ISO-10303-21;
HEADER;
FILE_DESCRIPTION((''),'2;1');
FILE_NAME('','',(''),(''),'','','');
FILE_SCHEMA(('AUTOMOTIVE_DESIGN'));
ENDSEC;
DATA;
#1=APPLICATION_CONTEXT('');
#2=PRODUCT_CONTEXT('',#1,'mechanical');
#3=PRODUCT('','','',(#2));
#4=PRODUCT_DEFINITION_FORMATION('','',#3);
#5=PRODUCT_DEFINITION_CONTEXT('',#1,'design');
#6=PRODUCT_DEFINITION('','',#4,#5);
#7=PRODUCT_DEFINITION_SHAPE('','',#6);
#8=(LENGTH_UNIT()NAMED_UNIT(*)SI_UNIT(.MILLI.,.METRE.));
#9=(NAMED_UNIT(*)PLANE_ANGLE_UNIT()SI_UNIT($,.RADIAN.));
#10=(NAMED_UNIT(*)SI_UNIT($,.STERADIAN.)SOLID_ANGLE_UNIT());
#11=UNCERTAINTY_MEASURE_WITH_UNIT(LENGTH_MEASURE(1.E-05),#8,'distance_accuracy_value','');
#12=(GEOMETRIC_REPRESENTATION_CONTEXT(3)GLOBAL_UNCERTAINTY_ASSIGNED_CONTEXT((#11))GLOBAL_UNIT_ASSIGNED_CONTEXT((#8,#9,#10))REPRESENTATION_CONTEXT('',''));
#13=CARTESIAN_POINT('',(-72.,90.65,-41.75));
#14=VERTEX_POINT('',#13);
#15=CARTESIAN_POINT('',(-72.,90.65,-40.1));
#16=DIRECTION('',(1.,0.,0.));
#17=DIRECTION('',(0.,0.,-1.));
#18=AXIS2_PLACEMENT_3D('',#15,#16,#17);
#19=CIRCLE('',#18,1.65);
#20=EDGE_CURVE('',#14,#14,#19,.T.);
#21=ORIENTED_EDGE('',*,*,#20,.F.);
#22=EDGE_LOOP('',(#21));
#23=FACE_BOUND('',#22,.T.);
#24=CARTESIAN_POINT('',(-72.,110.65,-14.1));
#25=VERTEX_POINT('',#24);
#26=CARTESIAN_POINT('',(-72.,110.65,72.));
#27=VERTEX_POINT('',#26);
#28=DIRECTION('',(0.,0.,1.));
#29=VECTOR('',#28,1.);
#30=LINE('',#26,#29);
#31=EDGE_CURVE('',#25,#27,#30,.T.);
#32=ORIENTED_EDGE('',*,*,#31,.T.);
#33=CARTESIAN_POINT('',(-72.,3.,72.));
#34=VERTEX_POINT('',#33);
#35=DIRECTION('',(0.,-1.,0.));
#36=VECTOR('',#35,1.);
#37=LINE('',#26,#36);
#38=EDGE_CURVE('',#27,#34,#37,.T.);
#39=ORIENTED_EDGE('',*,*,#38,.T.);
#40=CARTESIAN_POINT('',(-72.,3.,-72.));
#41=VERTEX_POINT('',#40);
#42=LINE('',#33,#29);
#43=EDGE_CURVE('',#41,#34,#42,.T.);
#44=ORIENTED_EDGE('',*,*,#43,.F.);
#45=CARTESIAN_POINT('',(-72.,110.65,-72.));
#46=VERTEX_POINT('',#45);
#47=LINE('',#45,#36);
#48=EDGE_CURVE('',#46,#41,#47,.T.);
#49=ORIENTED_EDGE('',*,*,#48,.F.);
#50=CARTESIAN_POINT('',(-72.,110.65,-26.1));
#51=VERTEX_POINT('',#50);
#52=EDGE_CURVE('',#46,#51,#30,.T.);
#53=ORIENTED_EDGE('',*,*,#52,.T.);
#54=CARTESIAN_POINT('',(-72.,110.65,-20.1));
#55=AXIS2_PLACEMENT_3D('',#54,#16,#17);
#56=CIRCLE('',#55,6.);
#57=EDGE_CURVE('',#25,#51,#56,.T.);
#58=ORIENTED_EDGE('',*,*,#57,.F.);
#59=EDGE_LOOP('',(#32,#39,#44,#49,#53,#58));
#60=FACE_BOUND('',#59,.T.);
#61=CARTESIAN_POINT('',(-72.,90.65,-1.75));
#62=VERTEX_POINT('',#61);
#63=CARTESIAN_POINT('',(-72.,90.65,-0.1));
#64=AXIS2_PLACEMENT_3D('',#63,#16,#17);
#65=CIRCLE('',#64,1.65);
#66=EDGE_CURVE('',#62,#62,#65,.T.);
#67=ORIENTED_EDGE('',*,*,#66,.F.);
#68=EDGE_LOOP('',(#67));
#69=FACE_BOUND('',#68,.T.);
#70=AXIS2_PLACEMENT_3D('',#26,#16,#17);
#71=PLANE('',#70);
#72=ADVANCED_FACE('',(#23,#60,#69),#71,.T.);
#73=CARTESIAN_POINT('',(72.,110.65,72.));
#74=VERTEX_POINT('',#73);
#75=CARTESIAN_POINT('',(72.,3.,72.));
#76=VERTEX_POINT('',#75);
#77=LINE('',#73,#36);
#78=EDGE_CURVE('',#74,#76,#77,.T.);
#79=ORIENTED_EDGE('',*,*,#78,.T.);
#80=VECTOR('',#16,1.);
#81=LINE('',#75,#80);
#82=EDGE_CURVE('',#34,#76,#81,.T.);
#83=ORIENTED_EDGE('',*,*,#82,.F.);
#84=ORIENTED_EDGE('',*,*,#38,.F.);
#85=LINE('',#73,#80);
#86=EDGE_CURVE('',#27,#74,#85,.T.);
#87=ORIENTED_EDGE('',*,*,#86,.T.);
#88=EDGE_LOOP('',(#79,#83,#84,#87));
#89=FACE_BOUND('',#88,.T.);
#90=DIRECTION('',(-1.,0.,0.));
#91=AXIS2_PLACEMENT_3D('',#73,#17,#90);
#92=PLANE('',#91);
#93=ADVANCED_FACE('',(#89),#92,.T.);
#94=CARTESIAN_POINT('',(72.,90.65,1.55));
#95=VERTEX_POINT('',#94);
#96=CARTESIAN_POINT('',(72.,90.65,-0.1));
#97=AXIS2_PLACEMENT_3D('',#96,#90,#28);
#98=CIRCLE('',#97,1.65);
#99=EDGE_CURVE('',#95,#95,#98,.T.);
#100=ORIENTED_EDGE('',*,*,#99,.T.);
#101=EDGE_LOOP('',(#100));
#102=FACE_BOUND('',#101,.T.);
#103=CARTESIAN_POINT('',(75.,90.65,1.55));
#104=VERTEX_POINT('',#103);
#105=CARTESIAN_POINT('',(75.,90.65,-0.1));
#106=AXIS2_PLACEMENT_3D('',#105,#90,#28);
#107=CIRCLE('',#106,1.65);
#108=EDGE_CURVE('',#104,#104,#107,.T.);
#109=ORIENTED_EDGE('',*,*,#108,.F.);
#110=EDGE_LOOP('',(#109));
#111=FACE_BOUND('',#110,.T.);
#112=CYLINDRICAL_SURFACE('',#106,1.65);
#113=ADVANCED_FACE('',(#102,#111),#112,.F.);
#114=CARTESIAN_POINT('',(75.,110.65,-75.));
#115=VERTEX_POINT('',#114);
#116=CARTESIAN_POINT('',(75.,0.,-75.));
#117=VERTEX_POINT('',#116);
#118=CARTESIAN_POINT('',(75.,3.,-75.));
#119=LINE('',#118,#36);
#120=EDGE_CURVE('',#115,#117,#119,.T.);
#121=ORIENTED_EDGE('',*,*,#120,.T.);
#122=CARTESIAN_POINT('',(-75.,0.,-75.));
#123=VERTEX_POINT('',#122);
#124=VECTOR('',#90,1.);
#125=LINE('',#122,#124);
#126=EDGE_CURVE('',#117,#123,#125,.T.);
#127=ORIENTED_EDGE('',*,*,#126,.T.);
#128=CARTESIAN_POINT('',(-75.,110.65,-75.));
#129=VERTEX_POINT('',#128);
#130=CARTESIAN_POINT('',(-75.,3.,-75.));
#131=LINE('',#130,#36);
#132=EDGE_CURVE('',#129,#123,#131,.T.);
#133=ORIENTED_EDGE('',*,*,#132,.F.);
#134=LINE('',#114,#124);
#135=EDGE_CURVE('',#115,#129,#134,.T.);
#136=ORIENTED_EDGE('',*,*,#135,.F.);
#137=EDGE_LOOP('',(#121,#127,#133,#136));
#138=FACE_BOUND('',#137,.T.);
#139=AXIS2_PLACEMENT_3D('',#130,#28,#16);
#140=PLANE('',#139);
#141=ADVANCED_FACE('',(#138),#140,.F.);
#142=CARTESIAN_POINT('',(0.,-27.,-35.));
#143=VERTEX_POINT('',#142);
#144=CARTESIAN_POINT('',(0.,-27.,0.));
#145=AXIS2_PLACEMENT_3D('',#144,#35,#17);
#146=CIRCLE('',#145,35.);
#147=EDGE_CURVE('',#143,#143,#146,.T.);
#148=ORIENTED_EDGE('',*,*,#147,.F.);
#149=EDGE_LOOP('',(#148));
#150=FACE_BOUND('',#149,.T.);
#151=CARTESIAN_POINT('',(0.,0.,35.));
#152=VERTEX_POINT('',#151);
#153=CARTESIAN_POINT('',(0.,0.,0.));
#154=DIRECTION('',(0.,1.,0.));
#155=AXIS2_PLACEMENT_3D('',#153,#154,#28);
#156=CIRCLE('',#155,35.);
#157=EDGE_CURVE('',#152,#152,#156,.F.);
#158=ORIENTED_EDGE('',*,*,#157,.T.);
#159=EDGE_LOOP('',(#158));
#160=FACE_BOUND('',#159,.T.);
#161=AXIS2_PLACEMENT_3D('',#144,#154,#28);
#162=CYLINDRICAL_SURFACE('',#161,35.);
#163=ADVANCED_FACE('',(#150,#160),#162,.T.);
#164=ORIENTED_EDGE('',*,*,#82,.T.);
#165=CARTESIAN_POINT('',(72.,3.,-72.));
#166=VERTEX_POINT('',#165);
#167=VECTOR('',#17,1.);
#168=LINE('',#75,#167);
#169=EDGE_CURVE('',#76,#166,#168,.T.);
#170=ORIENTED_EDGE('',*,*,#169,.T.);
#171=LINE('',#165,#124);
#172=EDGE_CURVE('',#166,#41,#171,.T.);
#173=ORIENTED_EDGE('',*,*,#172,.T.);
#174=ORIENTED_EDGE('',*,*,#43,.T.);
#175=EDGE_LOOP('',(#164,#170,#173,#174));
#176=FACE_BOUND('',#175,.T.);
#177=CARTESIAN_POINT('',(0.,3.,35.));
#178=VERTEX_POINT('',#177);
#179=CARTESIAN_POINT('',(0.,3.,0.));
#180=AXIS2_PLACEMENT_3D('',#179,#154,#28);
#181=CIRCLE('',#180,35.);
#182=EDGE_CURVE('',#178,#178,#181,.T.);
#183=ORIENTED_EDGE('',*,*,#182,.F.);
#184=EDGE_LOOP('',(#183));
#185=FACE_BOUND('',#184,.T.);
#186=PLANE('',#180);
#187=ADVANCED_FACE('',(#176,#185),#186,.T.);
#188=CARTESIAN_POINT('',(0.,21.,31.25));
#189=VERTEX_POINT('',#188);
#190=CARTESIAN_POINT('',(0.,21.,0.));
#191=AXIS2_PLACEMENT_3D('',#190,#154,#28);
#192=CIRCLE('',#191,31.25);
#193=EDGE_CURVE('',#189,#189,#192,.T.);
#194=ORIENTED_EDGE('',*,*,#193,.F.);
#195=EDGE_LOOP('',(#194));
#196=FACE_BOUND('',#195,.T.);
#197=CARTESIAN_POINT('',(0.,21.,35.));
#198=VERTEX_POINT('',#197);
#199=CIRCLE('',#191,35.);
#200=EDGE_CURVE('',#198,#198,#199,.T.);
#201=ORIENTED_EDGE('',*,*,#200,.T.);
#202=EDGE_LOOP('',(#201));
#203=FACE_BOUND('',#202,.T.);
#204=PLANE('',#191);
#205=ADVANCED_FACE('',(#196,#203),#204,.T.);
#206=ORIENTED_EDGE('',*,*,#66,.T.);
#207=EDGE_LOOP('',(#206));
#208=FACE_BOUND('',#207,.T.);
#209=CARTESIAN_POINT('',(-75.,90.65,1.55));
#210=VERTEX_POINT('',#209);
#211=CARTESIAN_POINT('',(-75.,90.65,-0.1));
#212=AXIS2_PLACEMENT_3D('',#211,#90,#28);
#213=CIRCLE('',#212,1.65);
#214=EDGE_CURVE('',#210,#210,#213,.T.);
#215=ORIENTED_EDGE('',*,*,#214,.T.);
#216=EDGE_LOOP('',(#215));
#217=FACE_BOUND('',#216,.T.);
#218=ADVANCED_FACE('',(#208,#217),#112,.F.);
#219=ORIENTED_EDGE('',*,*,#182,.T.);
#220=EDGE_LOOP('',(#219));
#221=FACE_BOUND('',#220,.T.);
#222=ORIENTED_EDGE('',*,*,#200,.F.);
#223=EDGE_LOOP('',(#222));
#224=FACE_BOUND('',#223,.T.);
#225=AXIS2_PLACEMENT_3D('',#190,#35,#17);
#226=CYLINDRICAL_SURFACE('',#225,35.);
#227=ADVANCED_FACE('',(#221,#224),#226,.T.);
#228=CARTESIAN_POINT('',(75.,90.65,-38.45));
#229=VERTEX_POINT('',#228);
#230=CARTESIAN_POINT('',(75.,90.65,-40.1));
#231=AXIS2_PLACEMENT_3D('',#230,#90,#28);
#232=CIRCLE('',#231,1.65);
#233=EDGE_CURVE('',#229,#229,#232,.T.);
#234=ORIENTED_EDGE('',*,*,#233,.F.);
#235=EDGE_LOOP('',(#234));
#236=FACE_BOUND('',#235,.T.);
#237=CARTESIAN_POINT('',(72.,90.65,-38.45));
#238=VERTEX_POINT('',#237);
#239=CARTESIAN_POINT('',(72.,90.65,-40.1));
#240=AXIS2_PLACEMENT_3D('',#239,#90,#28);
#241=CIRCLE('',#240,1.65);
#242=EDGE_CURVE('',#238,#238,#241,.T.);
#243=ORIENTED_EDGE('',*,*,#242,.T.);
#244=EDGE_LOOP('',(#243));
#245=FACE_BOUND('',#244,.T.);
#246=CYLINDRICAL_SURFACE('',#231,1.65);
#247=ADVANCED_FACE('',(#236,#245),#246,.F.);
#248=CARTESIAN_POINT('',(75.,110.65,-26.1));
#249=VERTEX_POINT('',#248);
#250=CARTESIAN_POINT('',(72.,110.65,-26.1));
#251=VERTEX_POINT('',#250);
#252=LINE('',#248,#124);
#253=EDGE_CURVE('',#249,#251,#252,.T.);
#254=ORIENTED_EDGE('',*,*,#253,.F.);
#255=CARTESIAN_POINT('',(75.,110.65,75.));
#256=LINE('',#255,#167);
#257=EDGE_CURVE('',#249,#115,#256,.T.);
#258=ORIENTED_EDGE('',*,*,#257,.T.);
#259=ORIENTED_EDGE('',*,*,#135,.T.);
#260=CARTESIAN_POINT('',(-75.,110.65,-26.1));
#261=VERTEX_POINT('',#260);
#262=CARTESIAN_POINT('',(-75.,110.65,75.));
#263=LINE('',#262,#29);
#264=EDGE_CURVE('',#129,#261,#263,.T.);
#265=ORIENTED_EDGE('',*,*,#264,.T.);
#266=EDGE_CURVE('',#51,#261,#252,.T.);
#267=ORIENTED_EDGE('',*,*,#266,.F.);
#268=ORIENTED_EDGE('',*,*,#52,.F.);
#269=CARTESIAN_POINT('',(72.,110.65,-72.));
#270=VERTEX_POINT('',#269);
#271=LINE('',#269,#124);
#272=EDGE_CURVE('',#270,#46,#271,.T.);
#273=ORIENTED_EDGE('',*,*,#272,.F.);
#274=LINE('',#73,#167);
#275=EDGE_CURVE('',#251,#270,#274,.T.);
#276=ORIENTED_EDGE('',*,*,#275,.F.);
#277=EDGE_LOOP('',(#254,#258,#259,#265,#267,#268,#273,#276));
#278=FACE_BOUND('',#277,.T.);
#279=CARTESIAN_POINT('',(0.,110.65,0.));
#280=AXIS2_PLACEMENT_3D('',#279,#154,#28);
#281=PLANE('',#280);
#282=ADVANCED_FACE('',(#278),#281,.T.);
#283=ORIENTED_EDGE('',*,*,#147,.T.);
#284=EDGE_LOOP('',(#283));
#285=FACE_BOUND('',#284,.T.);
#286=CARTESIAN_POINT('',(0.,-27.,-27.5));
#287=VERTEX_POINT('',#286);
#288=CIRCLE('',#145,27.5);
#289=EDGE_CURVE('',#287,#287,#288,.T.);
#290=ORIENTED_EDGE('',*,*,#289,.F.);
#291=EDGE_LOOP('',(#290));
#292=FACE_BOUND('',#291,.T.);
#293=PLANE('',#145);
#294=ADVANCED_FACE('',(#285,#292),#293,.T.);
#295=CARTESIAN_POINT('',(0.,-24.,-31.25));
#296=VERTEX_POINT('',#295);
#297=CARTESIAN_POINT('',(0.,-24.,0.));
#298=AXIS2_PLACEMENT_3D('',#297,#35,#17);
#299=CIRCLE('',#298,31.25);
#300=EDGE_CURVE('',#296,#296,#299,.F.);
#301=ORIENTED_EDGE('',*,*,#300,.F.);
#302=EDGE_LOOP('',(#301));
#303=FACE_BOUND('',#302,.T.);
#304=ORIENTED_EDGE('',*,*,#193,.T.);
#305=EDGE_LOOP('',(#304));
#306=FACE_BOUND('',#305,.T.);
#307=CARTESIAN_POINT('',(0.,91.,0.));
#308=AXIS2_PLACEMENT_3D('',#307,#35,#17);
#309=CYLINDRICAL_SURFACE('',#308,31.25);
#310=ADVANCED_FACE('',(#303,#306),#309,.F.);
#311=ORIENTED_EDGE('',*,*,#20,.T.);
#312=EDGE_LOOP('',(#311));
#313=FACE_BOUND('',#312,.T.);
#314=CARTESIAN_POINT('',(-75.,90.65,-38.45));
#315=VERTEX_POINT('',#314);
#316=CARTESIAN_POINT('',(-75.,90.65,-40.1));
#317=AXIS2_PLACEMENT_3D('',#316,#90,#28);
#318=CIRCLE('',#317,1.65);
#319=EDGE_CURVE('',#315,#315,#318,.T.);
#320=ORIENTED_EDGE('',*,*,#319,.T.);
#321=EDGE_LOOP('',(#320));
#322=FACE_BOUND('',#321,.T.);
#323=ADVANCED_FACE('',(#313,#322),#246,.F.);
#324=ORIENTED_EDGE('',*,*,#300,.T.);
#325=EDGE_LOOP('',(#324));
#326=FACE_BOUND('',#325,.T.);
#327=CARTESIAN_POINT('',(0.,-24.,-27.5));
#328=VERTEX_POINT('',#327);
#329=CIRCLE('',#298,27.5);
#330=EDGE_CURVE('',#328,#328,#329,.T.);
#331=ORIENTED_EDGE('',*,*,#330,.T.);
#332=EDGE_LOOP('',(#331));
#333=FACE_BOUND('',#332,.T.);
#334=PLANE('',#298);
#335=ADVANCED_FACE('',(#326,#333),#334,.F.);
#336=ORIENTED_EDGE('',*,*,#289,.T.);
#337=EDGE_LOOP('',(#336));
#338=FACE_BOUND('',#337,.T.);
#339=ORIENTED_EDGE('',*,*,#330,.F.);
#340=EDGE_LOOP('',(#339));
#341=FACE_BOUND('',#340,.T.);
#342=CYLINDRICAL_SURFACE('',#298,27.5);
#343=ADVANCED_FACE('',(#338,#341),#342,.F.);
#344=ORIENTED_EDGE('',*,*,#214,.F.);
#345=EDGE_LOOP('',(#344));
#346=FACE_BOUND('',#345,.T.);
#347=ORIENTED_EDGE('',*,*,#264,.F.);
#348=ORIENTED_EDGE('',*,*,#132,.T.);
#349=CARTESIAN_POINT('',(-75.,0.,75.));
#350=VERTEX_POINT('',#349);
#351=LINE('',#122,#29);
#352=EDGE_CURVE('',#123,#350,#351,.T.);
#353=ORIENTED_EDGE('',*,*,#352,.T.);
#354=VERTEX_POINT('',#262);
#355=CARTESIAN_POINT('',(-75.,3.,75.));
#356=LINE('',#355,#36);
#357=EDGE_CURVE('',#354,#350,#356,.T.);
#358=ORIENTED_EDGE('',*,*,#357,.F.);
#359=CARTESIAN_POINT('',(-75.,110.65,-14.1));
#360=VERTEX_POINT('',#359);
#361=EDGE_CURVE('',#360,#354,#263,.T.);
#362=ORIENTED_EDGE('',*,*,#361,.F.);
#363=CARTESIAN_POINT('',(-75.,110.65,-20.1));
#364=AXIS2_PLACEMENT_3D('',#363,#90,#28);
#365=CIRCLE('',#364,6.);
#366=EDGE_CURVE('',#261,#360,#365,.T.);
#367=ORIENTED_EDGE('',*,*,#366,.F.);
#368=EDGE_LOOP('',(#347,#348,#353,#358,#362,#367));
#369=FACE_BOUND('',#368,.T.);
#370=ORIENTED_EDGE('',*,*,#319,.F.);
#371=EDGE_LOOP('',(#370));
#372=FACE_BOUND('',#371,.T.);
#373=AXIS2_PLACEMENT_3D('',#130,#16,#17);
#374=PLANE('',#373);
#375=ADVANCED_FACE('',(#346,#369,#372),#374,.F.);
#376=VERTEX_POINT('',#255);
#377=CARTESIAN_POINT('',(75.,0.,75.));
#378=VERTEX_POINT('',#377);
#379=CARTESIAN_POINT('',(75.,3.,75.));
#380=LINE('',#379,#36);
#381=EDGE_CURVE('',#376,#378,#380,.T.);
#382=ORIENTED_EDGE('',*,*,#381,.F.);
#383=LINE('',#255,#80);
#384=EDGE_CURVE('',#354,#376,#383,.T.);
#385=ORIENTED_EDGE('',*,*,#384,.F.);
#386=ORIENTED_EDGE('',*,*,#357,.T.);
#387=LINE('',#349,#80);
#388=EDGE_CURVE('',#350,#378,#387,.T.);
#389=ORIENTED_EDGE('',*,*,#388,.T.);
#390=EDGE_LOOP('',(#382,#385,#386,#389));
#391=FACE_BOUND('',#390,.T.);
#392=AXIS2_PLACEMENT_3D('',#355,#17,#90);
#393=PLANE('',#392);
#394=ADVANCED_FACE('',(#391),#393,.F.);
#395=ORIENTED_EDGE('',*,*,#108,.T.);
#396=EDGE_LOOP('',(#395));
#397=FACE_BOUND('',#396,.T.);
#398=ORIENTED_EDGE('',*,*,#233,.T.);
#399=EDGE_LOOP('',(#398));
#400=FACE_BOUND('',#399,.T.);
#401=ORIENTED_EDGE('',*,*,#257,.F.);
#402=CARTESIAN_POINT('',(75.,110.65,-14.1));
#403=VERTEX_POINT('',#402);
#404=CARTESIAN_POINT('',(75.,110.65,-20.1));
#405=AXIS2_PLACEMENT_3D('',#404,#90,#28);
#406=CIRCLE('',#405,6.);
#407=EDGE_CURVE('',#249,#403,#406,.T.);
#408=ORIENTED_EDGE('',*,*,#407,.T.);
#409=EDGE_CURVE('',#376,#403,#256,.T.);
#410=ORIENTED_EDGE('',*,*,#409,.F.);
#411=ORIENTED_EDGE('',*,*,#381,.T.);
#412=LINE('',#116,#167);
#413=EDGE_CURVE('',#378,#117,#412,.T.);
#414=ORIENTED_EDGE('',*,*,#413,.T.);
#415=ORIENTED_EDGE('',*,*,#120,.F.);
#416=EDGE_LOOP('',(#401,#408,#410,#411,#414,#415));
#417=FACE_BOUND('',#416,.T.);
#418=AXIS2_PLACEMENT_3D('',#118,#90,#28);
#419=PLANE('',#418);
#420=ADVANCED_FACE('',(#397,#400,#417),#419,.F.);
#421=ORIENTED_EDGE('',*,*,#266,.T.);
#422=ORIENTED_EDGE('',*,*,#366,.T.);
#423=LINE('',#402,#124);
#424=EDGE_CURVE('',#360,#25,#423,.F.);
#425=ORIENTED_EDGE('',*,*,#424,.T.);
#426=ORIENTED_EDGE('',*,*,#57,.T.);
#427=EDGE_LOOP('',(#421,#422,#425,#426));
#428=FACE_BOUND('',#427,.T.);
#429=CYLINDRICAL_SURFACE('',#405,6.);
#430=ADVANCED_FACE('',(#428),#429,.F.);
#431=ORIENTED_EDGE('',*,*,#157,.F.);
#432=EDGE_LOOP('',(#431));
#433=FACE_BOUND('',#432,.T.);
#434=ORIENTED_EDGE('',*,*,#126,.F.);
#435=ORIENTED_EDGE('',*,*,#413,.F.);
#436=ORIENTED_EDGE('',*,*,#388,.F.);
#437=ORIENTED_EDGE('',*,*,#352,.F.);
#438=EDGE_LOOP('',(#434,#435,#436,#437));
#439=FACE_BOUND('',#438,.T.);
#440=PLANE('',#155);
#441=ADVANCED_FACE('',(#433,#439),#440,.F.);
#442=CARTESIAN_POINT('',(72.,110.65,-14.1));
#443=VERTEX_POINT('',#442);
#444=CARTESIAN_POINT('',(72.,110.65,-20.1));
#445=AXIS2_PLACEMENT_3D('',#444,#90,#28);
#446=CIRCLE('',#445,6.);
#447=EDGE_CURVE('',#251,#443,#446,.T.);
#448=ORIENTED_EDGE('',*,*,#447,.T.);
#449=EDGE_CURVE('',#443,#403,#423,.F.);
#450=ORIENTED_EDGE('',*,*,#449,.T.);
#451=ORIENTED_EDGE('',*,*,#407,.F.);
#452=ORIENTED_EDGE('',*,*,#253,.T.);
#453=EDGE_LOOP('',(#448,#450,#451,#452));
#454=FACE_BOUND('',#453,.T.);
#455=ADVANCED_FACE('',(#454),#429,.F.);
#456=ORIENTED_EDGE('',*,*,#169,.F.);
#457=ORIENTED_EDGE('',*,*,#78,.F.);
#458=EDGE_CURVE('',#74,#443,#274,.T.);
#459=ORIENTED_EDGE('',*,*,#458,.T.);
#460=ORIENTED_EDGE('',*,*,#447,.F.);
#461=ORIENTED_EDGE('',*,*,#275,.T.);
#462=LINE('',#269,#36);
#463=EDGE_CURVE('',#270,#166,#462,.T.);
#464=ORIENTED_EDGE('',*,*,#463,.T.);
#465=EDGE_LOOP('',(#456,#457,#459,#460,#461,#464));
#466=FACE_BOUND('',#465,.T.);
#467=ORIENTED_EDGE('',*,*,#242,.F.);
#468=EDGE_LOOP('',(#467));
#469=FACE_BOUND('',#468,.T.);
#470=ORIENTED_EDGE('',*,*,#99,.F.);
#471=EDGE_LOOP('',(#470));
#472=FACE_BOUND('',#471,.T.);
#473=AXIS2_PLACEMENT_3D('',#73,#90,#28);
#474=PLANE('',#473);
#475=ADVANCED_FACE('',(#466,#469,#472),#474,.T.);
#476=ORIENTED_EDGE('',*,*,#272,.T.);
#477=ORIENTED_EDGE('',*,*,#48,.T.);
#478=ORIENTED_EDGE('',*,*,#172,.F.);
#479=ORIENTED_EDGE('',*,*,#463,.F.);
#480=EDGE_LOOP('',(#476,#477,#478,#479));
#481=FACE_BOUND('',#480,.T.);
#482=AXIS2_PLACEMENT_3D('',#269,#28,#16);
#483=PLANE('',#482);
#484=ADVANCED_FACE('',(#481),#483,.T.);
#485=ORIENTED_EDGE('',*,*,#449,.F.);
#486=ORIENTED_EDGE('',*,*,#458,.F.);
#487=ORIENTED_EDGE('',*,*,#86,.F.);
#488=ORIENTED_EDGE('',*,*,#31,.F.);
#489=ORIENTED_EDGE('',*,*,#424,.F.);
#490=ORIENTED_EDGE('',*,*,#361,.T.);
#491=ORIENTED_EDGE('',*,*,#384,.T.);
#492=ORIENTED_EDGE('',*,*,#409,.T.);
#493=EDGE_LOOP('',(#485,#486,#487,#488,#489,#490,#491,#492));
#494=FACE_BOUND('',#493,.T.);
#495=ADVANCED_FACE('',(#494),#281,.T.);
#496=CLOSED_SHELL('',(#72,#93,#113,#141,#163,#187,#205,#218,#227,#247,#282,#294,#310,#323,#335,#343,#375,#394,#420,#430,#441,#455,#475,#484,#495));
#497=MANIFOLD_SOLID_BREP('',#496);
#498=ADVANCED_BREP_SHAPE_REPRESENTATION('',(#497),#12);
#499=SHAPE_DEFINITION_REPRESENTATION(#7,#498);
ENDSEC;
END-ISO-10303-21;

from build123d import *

# Parameters (mm, degrees)
SKETCH_1_W          = 150
SKETCH_1_H          = 150
EXTRUDE_1_DEPTH     = 3
SKETCH_2_W          = 150
SKETCH_2_H          = 150
SKETCH_2_W_2        = 144
SKETCH_2_H_2        = 144
EXTRUDE_2_DEPTH     = 107.65
SKETCH_3_R          = 31.25
CUT_EXTRUDE_1_DEPTH = 91
SKETCH_4_R          = 6
CUT_EXTRUDE_2_DEPTH = 201.9189451
SKETCH_8_R          = 35
SKETCH_8_R_2        = 31.25
EXTRUDE_4_DEPTH     = 18
SKETCH_9_R          = 1.65
CUT_EXTRUDE_3_DEPTH = 201.9189451
EXTRUDE_START       = 27
SKETCH_14_R         = 35
SKETCH_14_R_2       = 31.25
EXTRUDE_7_DEPTH     = 27
SKETCH_15_R         = 31.25
SKETCH_15_R_2       = 27.5
EXTRUDE_8_DEPTH     = 3


with BuildPart() as part:
    # 草图1 → 凸台-拉伸1 (new body)
    with BuildSketch(Plane(origin=(0, 0, 0), x_dir=(1, 0, 0), z_dir=(0, 1, 0))):
        Rectangle(SKETCH_1_W, SKETCH_1_H)
    extrude(amount=EXTRUDE_1_DEPTH)

    # 草图2 → 凸台-拉伸2 (add)
    with BuildSketch(Plane(origin=(0, 3, 0), x_dir=(1, 0, 0), z_dir=(0, 1, 0))):
        Rectangle(SKETCH_2_W, SKETCH_2_H)
        Rectangle(SKETCH_2_W_2, SKETCH_2_H_2, mode=Mode.SUBTRACT)
    extrude(amount=EXTRUDE_2_DEPTH)

    # 草图3 → 切除-拉伸1 (cut)
    with BuildSketch(Plane.XZ):
        with Locations(Location((0, 0, 0), (0, 0, 270))):
            Circle(SKETCH_3_R)
    extrude(amount=-CUT_EXTRUDE_1_DEPTH, mode=Mode.SUBTRACT)

    # 草图4 → 切除-拉伸2 (cut, through all)
    with BuildSketch(Plane.ZY.offset(75)):
        with Locations((-20.1, 110.65)):
            Circle(SKETCH_4_R)
    extrude(amount=-CUT_EXTRUDE_2_DEPTH, mode=Mode.SUBTRACT)

    # 草图8 → 凸台-拉伸4 (add)
    with BuildSketch(Plane(origin=(0, 3, 0), x_dir=(1, 0, 0), z_dir=(0, 1, 0))):
        with Locations(Location((0, 0, 0), (0, 0, 270))):
            Circle(SKETCH_8_R)
        with Locations(Location((0, 0, 0), (0, 0, 90))):
            Circle(SKETCH_8_R_2, mode=Mode.SUBTRACT)
    extrude(amount=EXTRUDE_4_DEPTH)

    # 草图9 → 切除-拉伸3 (cut, through all)
    with BuildSketch(Plane.ZY.offset(75)):
        with Locations((-40.1, 90.65)):
            Circle(SKETCH_9_R)
        with Locations((-0.1, 90.65)):
            Circle(SKETCH_9_R)
    extrude(amount=-CUT_EXTRUDE_3_DEPTH, mode=Mode.SUBTRACT)

    # 草图14 → 凸台-拉伸7 (add)
    with BuildSketch(Plane.XZ.offset(EXTRUDE_START)):
        with Locations(Location((0, 0, 0), (0, 0, 90))):
            Circle(SKETCH_14_R)
        with Locations(Location((0, 0, 0), (0, 0, 270))):
            Circle(SKETCH_14_R_2, mode=Mode.SUBTRACT)
    extrude(amount=-EXTRUDE_7_DEPTH)

    # 草图15 → 凸台-拉伸8 (add)
    with BuildSketch(Plane.XZ.offset(27)):
        with Locations(Location((0, 0, 0), (0, 0, 270))):
            Circle(SKETCH_15_R)
        with Locations(Location((0, 0, 0), (0, 0, 270))):
            Circle(SKETCH_15_R_2, mode=Mode.SUBTRACT)
    extrude(amount=-EXTRUDE_8_DEPTH)


solid = part.part
